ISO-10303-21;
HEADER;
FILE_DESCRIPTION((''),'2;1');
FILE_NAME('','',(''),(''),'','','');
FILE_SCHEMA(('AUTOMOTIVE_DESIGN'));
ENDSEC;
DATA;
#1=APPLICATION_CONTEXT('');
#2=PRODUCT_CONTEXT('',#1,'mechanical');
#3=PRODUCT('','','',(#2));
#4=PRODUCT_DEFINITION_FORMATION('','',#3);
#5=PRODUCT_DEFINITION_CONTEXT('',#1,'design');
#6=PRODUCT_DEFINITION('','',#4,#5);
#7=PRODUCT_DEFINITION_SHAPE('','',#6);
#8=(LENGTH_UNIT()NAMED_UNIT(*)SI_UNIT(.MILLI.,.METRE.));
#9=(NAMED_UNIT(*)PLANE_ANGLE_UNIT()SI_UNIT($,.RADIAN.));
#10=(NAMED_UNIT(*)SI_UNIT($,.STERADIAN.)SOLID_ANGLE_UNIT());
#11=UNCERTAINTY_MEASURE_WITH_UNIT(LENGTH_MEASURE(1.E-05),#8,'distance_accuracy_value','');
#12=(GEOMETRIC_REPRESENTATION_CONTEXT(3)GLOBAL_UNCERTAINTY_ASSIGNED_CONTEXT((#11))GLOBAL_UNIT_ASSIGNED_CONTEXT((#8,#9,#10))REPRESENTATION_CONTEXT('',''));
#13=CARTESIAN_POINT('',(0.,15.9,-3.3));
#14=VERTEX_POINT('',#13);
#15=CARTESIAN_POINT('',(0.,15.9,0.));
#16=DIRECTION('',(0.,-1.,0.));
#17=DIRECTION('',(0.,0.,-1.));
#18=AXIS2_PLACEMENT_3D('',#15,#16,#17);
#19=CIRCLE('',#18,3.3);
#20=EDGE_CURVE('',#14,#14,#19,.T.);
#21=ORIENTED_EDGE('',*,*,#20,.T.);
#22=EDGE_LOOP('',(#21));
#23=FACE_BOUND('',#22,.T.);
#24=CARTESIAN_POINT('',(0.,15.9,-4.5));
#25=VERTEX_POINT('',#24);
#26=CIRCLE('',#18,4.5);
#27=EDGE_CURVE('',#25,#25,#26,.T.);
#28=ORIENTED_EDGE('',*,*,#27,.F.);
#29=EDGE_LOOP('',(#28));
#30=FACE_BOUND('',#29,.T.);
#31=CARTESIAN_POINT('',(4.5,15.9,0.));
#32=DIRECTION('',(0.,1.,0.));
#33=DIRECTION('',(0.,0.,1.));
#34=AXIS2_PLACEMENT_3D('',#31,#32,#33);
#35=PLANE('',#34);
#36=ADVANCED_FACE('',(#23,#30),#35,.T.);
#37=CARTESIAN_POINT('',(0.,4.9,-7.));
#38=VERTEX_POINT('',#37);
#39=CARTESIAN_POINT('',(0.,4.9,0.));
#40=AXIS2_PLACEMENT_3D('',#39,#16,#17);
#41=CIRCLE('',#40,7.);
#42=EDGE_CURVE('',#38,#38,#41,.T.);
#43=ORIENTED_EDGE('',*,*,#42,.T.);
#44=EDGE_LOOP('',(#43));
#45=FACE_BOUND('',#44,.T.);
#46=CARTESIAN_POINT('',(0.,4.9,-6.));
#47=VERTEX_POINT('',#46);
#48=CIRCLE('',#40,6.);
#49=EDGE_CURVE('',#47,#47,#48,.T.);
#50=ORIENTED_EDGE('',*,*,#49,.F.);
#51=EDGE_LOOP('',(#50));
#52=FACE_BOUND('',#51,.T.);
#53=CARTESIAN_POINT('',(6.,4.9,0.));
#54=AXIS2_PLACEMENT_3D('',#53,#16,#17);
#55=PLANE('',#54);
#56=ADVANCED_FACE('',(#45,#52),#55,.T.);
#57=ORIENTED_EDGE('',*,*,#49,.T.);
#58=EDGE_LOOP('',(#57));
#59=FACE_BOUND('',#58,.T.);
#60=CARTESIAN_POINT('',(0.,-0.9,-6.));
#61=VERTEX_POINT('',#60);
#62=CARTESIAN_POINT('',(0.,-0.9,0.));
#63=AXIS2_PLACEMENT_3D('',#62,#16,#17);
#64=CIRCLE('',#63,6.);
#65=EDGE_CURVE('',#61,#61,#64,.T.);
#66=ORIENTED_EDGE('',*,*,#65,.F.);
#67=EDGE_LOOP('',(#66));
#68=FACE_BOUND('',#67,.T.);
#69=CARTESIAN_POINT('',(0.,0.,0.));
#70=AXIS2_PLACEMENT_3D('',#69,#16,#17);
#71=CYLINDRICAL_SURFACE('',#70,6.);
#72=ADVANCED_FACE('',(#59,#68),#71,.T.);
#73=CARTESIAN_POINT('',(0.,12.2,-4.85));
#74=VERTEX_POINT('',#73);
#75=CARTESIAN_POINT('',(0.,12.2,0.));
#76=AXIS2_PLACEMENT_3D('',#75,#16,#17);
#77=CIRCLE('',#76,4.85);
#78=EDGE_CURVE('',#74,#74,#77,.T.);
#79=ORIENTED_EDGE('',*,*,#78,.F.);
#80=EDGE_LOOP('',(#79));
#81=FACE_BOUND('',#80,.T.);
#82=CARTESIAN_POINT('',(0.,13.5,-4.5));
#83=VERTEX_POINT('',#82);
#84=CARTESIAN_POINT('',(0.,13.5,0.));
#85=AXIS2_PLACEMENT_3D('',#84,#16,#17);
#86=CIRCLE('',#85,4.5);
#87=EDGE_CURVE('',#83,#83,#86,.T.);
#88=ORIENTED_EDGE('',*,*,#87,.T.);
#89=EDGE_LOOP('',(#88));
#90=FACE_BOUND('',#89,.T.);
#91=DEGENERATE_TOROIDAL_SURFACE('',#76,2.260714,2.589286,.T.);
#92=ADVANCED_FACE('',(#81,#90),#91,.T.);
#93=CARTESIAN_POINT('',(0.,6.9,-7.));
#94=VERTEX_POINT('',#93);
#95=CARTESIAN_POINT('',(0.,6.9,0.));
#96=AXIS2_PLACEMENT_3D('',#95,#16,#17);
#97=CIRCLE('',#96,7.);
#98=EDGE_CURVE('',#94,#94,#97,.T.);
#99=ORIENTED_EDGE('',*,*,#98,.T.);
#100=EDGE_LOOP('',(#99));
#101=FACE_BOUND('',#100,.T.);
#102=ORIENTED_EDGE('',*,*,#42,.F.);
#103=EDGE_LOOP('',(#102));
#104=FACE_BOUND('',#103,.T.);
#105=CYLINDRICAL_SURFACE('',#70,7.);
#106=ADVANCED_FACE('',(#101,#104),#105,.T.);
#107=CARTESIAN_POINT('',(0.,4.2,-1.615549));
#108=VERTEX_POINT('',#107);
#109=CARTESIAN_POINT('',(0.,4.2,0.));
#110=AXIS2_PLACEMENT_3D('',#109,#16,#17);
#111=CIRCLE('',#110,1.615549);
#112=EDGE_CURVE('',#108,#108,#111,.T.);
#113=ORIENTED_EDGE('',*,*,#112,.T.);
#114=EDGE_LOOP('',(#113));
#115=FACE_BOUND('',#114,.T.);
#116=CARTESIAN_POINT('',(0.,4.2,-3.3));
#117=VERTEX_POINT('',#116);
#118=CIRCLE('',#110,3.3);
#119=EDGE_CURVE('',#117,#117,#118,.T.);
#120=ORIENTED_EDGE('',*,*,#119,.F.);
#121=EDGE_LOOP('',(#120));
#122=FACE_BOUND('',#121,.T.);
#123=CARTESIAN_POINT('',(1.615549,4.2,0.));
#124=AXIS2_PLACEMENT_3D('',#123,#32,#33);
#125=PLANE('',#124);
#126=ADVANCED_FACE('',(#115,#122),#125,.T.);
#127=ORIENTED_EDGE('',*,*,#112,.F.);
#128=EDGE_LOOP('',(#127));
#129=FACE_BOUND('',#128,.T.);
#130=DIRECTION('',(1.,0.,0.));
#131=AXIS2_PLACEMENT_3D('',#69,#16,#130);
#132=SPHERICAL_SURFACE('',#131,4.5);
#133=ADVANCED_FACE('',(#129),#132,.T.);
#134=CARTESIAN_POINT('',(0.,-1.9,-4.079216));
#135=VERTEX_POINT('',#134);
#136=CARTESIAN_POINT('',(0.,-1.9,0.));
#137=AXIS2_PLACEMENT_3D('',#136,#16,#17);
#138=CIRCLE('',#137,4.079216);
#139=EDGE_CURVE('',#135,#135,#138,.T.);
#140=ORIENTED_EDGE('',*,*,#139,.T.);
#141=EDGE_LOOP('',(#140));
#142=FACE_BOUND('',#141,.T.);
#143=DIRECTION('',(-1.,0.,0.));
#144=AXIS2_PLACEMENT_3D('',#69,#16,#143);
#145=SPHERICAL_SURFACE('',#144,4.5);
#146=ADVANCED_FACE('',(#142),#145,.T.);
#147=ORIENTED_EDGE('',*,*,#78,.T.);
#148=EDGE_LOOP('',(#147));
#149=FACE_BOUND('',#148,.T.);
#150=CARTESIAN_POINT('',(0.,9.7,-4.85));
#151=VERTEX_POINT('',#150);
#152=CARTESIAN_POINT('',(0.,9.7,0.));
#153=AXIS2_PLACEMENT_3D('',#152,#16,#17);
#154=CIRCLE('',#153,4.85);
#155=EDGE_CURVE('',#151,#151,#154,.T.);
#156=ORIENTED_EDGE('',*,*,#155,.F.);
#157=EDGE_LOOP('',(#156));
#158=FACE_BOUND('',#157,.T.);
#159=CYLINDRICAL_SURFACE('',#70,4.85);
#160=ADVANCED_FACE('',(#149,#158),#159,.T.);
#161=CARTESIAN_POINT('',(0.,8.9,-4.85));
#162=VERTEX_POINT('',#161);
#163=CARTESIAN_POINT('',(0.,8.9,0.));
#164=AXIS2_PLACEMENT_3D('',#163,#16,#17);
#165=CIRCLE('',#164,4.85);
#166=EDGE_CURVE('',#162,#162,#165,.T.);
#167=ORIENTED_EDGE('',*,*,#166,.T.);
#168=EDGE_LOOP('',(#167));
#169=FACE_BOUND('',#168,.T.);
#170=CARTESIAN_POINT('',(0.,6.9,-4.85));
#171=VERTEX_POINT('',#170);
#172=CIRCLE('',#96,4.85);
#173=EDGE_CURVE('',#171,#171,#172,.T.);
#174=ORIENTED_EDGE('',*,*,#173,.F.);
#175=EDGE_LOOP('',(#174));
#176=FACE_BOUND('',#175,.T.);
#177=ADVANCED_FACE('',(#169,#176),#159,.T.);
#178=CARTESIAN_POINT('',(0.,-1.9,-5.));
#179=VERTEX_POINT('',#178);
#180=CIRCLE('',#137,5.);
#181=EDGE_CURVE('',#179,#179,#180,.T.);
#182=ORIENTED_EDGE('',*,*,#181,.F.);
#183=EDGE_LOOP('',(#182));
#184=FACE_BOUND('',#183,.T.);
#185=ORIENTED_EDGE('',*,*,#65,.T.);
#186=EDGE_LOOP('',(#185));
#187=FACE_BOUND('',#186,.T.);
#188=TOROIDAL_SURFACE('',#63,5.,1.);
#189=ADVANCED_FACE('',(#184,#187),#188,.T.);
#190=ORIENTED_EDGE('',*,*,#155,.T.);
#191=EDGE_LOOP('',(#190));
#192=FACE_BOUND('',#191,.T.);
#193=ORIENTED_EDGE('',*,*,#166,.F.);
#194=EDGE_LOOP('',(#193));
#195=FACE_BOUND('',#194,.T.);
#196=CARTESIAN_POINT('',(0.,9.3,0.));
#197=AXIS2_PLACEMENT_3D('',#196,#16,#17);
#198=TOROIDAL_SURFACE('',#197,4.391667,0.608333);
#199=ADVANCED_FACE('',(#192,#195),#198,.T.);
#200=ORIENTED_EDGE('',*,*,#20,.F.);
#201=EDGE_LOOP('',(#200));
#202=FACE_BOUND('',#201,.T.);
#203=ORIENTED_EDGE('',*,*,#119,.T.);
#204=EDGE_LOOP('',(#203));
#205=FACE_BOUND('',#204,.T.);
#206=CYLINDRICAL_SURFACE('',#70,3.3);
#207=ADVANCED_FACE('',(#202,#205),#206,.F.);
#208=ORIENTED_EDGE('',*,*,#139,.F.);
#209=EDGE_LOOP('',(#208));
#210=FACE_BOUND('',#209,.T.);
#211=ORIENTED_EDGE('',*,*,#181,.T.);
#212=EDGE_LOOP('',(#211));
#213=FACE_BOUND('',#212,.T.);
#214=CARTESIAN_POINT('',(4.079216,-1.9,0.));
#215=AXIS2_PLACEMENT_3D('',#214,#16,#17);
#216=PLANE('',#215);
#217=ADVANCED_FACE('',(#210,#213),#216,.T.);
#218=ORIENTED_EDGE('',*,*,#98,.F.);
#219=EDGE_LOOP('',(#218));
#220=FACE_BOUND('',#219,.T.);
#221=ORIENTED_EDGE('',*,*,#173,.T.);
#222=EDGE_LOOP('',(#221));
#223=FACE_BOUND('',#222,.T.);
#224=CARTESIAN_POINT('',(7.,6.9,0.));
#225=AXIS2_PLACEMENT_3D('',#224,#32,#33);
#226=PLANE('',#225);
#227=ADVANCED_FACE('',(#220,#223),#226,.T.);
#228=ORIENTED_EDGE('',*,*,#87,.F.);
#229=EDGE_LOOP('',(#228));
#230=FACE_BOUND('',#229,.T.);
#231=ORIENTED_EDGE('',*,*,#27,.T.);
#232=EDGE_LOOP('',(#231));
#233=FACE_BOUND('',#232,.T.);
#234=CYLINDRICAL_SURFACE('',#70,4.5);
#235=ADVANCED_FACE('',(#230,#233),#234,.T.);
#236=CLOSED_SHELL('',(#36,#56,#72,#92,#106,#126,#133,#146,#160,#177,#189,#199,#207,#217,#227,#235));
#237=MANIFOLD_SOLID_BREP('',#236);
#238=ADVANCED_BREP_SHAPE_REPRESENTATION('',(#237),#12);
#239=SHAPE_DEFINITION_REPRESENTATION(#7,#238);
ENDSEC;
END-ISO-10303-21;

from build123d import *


with BuildPart() as part:
    # Sketch1 → Revolve1 (revolve)
    with BuildSketch(Plane.XY, mode=Mode.PRIVATE) as revolve1_sk:
        with BuildLine():
            Line((4.079215611, -1.9), (5, -1.9))
            ThreePointArc((5, -1.9), (5.707106781, -1.607106781), (6, -0.9))
            Line((6, -0.9), (6, 4.9))
            Line((6, 4.9), (7, 4.9))
            Line((7, 4.9), (7, 6.9))
            Line((7, 6.9), (4.85, 6.9))
            Line((4.85, 6.9), (4.85, 8.9))
            ThreePointArc((4.85, 8.9), (5, 9.3), (4.85, 9.7))
            Line((4.85, 9.7), (4.85, 12.2))
            ThreePointArc((4.85, 12.2), (4.760969375, 12.873145601), (4.5, 13.5))
            Line((4.5, 13.5), (4.5, 15.9))
            Line((4.5, 15.9), (3.3, 15.9))
            Line((3.3, 15.9), (3.3, 4.2))
            Line((3.3, 4.2), (1.615549442, 4.2))
            ThreePointArc((1.615549442, 4.2), (0.821583836, 4.424364361), (0, 4.5))
            Line((0, 4.5), (0, 4.2))
            Line((0, 4.2), (0, -4.5))
            ThreePointArc((0, -4.5), (2.418677324, -3.794733192), (4.079215611, -1.9))
        make_face()
    revolve(revolve1_sk.sketch.rotate(Axis((0, 0, 0), (0, 1, 0)), 90), axis=Axis((0, 0, 0), (0, 1, 0)))


solid = part.part
